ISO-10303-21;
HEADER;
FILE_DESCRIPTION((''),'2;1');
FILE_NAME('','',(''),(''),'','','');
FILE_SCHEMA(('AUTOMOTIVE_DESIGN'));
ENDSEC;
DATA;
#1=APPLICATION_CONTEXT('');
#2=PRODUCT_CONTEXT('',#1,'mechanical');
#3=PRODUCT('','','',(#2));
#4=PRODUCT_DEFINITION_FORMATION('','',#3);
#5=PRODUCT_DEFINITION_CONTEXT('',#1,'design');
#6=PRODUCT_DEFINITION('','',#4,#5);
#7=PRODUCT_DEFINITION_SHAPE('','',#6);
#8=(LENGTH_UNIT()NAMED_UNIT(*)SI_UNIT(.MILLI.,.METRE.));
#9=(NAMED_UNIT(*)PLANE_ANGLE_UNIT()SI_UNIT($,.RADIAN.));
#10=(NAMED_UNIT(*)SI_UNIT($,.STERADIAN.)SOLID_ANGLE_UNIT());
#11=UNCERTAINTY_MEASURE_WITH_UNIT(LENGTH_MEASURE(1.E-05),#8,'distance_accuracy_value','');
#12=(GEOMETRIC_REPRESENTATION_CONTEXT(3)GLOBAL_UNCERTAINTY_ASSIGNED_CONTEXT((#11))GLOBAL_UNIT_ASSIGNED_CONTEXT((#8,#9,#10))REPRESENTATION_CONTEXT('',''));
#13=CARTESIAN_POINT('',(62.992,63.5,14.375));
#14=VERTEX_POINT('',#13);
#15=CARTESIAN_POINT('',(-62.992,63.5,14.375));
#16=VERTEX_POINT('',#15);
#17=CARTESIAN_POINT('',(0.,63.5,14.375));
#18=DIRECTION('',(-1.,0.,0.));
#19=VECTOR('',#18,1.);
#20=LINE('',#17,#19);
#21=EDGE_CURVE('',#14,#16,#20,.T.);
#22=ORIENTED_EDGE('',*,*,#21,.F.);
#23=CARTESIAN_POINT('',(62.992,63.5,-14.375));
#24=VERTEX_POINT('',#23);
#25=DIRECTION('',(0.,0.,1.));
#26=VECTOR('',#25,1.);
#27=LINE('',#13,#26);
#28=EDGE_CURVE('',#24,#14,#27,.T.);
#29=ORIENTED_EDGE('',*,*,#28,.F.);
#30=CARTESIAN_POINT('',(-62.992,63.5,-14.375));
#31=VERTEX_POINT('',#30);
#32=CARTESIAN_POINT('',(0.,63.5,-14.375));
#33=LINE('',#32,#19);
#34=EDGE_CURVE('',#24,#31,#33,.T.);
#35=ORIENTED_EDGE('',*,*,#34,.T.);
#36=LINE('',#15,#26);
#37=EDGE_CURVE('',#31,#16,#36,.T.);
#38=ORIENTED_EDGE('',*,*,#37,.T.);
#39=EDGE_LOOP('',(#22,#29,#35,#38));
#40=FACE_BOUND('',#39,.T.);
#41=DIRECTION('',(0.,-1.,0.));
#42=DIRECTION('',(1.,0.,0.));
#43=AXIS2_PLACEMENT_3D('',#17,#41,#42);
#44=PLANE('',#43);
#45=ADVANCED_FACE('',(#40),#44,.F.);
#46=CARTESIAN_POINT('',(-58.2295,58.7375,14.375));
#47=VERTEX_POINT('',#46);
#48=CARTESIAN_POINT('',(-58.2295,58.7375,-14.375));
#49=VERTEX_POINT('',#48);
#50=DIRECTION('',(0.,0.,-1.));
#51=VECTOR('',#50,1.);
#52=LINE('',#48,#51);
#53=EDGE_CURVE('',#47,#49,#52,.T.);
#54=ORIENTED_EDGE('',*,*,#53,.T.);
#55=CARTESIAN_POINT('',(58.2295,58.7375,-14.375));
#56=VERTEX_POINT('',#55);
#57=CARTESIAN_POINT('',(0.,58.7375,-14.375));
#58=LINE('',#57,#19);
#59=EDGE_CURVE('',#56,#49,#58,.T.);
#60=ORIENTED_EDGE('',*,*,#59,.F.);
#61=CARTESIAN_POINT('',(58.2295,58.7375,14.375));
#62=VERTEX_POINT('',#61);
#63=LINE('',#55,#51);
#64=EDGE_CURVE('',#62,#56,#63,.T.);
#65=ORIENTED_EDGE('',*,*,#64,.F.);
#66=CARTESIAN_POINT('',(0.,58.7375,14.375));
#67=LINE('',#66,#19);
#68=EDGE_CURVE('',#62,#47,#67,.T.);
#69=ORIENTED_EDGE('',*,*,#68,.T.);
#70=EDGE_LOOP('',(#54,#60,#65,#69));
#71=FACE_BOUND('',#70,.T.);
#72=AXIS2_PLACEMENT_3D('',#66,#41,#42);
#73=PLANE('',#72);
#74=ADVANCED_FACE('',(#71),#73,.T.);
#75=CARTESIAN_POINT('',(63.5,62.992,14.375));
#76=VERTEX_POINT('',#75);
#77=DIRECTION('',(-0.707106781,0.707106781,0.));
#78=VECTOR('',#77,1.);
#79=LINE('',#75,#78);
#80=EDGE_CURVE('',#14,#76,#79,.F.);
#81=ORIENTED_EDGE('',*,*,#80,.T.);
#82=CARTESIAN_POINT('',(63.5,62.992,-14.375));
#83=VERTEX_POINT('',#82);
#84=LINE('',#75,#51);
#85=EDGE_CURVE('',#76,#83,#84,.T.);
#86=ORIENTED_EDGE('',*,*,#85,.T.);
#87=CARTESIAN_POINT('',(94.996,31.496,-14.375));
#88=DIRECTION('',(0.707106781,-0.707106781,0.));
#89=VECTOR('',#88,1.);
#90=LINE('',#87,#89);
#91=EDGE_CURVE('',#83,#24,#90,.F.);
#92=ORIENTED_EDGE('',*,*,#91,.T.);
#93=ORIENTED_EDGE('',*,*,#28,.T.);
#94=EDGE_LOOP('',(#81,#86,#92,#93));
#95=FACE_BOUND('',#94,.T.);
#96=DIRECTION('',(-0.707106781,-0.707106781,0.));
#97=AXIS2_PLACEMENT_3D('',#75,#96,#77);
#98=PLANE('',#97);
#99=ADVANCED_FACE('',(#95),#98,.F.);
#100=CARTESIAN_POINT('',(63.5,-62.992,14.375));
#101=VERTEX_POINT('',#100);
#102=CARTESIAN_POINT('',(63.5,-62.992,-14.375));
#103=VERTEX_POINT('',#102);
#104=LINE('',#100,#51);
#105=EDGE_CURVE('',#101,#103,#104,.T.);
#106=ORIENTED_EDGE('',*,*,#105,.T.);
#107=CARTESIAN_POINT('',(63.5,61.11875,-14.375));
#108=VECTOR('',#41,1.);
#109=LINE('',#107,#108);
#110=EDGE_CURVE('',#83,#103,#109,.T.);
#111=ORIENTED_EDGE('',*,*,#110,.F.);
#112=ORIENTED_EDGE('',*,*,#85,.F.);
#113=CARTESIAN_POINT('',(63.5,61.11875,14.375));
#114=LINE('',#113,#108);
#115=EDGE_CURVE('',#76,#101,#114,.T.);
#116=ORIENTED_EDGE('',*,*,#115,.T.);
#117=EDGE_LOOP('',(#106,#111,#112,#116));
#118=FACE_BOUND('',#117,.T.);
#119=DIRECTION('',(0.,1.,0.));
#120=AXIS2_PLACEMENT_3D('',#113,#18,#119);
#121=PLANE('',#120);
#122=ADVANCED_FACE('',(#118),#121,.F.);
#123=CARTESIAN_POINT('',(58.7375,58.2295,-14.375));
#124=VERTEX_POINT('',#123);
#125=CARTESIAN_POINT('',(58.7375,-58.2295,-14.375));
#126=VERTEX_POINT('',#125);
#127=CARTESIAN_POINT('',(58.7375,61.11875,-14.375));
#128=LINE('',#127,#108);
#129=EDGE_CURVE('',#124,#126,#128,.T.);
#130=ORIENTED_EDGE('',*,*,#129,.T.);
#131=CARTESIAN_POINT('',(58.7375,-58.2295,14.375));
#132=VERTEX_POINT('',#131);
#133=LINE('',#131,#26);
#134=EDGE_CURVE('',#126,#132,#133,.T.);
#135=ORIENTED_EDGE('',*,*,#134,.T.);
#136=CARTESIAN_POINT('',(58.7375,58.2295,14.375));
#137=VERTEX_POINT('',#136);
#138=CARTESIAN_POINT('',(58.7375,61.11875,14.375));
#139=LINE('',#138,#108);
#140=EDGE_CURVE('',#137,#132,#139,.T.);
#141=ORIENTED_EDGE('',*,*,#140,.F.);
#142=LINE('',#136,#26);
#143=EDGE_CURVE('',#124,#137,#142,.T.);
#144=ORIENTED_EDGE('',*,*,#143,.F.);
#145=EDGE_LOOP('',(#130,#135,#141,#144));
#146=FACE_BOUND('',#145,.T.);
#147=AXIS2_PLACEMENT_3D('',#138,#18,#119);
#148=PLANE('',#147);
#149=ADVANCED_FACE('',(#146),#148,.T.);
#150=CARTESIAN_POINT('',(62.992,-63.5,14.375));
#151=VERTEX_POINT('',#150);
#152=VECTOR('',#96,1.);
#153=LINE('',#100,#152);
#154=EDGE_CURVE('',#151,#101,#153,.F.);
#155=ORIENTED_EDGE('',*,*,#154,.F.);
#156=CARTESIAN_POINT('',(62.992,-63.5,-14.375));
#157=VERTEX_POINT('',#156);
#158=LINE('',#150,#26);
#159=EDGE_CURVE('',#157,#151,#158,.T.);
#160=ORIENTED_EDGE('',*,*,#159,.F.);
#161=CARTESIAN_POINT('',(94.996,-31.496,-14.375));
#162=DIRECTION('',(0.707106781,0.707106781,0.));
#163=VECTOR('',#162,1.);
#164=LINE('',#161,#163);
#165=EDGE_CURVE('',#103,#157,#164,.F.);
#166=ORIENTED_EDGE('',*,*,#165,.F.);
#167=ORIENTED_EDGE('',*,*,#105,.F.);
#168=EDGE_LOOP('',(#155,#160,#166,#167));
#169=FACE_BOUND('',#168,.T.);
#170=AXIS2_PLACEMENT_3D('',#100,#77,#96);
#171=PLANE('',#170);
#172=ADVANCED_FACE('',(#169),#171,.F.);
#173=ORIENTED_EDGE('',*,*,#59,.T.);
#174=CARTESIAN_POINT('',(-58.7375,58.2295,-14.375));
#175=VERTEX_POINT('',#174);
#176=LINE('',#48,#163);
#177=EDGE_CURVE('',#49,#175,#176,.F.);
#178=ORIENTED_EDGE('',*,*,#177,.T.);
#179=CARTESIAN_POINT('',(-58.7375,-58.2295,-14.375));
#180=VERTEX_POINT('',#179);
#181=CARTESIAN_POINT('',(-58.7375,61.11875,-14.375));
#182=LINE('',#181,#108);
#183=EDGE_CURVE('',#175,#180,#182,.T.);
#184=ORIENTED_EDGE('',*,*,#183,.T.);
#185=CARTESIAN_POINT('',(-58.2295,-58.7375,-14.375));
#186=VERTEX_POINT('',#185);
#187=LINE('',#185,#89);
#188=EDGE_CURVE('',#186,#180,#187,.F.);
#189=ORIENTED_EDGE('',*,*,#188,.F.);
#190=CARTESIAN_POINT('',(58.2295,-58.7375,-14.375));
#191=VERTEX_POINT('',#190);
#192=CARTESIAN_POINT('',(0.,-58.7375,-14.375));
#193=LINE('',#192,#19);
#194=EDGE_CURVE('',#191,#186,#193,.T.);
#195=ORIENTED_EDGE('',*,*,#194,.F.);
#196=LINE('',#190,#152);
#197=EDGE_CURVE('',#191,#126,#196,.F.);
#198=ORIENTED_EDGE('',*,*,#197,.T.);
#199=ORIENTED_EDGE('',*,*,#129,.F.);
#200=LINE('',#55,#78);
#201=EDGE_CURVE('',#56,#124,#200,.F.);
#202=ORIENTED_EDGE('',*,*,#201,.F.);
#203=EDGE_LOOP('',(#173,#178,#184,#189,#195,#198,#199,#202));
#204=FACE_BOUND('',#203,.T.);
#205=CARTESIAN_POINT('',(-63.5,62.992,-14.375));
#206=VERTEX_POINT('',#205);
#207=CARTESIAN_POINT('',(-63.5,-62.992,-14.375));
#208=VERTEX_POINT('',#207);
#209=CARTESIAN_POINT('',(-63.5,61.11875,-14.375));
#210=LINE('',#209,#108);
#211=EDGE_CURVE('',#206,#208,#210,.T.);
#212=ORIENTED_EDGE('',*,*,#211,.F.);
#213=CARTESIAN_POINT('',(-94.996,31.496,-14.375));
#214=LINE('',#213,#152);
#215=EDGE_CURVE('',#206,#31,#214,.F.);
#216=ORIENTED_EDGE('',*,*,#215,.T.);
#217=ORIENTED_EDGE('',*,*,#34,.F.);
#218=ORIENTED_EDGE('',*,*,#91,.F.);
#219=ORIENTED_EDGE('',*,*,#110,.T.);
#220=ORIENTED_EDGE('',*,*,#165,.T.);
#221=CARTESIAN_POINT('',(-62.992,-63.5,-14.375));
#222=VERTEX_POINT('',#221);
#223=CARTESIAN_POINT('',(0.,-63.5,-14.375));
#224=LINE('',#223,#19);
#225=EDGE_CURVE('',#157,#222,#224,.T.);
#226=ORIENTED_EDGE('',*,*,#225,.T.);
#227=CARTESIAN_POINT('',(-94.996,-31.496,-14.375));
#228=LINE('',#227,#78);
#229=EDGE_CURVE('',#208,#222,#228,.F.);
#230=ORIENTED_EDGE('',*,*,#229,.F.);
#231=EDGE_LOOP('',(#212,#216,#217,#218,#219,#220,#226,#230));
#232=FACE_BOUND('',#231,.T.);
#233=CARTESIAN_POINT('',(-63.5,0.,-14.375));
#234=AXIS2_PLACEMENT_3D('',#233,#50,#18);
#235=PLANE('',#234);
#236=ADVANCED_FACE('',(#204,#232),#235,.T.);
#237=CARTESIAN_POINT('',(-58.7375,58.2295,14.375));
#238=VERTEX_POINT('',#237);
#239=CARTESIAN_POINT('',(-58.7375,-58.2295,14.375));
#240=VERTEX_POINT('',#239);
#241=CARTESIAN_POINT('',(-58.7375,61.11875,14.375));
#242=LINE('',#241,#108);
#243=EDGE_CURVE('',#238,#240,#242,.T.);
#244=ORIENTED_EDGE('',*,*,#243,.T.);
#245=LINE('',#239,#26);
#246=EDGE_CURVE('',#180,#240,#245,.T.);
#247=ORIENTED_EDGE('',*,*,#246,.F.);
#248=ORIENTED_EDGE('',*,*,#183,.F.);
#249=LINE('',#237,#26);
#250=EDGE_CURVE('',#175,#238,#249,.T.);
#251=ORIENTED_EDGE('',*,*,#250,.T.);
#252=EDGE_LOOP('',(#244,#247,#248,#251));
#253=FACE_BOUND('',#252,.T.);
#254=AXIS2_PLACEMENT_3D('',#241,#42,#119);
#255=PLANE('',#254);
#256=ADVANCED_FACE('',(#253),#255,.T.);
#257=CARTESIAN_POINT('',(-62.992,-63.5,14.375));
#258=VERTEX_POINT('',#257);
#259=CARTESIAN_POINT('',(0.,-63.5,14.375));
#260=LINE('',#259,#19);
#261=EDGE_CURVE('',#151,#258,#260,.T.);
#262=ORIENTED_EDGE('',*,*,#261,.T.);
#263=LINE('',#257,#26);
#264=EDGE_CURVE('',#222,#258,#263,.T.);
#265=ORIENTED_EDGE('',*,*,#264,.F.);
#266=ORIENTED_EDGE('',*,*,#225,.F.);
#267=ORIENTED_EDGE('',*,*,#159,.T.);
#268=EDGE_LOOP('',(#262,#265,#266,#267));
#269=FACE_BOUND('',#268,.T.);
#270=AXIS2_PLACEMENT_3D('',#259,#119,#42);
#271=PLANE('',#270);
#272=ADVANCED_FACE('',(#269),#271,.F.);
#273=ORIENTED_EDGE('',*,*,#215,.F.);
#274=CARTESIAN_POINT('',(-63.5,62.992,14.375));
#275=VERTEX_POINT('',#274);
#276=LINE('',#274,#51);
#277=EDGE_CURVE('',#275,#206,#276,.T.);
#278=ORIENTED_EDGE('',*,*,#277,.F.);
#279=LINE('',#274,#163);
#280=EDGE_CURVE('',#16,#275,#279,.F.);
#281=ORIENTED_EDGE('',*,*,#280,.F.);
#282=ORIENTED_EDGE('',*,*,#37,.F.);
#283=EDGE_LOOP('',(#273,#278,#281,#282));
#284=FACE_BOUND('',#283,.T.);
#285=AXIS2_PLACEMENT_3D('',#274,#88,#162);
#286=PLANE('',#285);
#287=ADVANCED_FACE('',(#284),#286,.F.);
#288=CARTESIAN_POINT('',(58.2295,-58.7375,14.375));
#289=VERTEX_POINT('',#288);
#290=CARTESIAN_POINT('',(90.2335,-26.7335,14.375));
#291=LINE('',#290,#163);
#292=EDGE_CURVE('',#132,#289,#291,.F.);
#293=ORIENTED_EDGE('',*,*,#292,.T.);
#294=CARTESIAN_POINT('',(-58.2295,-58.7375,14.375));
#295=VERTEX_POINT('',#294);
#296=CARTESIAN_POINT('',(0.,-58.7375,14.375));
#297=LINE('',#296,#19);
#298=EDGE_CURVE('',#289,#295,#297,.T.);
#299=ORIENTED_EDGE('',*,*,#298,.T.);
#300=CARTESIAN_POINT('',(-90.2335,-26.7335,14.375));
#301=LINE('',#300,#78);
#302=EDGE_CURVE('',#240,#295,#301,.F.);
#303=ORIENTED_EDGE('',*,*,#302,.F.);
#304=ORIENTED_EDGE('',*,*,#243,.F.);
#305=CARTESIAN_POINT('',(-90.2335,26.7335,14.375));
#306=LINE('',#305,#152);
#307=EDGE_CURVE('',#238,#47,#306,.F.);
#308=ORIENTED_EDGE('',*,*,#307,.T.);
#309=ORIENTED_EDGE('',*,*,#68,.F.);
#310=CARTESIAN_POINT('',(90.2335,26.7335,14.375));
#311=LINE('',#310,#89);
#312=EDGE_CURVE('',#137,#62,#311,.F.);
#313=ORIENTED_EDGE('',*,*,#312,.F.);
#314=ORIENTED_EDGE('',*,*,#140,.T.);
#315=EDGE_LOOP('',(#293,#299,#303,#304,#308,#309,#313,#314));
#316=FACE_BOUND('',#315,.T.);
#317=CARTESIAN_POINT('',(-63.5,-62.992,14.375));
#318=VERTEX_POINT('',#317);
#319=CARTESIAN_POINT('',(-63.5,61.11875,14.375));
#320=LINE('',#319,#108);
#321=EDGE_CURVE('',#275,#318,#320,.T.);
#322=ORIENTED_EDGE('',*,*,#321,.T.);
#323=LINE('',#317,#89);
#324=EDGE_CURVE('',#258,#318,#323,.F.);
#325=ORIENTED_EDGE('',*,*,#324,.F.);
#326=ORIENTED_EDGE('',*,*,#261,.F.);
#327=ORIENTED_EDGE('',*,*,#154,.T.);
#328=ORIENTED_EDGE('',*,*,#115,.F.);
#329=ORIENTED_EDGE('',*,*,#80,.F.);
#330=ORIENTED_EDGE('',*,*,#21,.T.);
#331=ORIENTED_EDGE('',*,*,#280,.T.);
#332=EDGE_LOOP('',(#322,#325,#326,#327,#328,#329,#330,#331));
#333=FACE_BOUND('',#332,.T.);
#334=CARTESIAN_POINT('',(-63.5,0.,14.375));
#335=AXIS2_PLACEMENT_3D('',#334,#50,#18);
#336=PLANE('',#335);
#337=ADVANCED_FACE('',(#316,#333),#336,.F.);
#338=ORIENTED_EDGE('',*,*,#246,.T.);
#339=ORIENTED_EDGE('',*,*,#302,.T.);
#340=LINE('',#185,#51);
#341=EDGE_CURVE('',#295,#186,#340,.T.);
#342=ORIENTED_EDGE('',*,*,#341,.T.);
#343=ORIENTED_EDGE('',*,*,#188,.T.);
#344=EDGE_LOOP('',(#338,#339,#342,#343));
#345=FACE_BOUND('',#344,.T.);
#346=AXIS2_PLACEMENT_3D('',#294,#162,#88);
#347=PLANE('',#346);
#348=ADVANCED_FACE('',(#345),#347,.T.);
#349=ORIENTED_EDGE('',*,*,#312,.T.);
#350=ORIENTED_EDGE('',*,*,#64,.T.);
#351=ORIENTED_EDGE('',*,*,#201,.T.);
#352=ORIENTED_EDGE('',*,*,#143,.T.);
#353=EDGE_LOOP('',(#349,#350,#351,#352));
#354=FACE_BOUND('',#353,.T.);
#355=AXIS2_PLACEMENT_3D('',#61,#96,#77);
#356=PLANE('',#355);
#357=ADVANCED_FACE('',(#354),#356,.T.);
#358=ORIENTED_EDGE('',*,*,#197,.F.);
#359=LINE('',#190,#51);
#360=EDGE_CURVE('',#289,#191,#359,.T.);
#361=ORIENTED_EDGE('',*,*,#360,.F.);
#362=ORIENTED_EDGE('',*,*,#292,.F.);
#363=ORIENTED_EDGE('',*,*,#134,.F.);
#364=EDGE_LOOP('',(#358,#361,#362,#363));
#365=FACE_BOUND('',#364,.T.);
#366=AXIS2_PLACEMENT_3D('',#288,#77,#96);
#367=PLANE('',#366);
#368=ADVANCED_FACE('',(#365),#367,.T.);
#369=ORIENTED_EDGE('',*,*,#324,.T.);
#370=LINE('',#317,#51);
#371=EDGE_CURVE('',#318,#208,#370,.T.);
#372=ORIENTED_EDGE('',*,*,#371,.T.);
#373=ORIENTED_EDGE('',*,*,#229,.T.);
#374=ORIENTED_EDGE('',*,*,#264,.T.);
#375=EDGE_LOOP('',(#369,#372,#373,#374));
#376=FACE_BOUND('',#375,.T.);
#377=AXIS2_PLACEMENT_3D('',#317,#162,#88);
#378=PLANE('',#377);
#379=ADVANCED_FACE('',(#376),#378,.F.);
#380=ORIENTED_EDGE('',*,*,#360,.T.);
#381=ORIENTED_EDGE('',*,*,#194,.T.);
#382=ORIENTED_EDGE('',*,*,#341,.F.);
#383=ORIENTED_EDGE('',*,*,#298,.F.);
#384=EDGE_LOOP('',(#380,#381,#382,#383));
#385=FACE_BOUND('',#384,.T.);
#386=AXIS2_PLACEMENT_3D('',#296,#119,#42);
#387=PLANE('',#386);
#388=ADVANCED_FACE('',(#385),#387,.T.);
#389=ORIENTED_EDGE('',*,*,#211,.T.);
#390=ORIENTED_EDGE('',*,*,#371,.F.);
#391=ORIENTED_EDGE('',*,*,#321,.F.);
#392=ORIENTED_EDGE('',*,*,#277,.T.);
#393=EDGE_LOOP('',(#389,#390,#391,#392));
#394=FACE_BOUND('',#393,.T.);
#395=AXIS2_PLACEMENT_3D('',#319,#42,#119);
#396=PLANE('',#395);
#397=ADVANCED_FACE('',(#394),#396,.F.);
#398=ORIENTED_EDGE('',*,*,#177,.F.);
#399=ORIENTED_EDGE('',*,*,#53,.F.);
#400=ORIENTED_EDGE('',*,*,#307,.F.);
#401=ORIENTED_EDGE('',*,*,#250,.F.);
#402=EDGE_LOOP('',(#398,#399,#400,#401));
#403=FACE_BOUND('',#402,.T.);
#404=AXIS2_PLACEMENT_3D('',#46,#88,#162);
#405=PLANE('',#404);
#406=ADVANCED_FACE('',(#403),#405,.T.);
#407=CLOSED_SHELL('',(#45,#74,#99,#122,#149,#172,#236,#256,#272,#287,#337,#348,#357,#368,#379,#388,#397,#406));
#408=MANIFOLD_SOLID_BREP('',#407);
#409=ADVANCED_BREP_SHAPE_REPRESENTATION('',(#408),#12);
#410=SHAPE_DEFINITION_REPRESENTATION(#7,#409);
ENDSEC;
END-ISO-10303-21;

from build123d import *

# Parameters (mm, degrees)
EXTRUDE_THIN1_DEPTH = 14.375
CHAMFER1_SIZE       = 0.508


with BuildPart() as part:
    # Sketch2 → Extrude-Thin1 (new, symmetric)
    with BuildSketch(Plane.XY):
        Polygon((0, 63.5), (-63.5, 63.5), (-63.5, 0), (-58.7375, 0), (-58.7375, 58.7375), (0, 58.7375), align=None)
    extrude(amount=EXTRUDE_THIN1_DEPTH, both=True)

    # Chamfer1
    chamfer1_edges = [part.edges().sort_by_distance(p)[0] for p in [
        (-63.5, 63.5, 0),
        (-58.7375, 58.7375, 0),
    ]]
    chamfer(chamfer1_edges, length=CHAMFER1_SIZE)

    # Mirror1: part across plane


with BuildPart() as part_1:
    add(part.part)
    add(part.part.mirror(Plane(origin=(0, 63.5, 14.375), x_dir=(0, 0, 1), z_dir=(1, 0, 0))))

    # Mirror2: part across plane


with BuildPart() as part_2:
    add(part_1.part)
    add(part_1.part.mirror(Plane(origin=(-58.7375, 0, 14.375), x_dir=(0, 0, 1), z_dir=(0, -1, 0))))


solid = part_2.part
